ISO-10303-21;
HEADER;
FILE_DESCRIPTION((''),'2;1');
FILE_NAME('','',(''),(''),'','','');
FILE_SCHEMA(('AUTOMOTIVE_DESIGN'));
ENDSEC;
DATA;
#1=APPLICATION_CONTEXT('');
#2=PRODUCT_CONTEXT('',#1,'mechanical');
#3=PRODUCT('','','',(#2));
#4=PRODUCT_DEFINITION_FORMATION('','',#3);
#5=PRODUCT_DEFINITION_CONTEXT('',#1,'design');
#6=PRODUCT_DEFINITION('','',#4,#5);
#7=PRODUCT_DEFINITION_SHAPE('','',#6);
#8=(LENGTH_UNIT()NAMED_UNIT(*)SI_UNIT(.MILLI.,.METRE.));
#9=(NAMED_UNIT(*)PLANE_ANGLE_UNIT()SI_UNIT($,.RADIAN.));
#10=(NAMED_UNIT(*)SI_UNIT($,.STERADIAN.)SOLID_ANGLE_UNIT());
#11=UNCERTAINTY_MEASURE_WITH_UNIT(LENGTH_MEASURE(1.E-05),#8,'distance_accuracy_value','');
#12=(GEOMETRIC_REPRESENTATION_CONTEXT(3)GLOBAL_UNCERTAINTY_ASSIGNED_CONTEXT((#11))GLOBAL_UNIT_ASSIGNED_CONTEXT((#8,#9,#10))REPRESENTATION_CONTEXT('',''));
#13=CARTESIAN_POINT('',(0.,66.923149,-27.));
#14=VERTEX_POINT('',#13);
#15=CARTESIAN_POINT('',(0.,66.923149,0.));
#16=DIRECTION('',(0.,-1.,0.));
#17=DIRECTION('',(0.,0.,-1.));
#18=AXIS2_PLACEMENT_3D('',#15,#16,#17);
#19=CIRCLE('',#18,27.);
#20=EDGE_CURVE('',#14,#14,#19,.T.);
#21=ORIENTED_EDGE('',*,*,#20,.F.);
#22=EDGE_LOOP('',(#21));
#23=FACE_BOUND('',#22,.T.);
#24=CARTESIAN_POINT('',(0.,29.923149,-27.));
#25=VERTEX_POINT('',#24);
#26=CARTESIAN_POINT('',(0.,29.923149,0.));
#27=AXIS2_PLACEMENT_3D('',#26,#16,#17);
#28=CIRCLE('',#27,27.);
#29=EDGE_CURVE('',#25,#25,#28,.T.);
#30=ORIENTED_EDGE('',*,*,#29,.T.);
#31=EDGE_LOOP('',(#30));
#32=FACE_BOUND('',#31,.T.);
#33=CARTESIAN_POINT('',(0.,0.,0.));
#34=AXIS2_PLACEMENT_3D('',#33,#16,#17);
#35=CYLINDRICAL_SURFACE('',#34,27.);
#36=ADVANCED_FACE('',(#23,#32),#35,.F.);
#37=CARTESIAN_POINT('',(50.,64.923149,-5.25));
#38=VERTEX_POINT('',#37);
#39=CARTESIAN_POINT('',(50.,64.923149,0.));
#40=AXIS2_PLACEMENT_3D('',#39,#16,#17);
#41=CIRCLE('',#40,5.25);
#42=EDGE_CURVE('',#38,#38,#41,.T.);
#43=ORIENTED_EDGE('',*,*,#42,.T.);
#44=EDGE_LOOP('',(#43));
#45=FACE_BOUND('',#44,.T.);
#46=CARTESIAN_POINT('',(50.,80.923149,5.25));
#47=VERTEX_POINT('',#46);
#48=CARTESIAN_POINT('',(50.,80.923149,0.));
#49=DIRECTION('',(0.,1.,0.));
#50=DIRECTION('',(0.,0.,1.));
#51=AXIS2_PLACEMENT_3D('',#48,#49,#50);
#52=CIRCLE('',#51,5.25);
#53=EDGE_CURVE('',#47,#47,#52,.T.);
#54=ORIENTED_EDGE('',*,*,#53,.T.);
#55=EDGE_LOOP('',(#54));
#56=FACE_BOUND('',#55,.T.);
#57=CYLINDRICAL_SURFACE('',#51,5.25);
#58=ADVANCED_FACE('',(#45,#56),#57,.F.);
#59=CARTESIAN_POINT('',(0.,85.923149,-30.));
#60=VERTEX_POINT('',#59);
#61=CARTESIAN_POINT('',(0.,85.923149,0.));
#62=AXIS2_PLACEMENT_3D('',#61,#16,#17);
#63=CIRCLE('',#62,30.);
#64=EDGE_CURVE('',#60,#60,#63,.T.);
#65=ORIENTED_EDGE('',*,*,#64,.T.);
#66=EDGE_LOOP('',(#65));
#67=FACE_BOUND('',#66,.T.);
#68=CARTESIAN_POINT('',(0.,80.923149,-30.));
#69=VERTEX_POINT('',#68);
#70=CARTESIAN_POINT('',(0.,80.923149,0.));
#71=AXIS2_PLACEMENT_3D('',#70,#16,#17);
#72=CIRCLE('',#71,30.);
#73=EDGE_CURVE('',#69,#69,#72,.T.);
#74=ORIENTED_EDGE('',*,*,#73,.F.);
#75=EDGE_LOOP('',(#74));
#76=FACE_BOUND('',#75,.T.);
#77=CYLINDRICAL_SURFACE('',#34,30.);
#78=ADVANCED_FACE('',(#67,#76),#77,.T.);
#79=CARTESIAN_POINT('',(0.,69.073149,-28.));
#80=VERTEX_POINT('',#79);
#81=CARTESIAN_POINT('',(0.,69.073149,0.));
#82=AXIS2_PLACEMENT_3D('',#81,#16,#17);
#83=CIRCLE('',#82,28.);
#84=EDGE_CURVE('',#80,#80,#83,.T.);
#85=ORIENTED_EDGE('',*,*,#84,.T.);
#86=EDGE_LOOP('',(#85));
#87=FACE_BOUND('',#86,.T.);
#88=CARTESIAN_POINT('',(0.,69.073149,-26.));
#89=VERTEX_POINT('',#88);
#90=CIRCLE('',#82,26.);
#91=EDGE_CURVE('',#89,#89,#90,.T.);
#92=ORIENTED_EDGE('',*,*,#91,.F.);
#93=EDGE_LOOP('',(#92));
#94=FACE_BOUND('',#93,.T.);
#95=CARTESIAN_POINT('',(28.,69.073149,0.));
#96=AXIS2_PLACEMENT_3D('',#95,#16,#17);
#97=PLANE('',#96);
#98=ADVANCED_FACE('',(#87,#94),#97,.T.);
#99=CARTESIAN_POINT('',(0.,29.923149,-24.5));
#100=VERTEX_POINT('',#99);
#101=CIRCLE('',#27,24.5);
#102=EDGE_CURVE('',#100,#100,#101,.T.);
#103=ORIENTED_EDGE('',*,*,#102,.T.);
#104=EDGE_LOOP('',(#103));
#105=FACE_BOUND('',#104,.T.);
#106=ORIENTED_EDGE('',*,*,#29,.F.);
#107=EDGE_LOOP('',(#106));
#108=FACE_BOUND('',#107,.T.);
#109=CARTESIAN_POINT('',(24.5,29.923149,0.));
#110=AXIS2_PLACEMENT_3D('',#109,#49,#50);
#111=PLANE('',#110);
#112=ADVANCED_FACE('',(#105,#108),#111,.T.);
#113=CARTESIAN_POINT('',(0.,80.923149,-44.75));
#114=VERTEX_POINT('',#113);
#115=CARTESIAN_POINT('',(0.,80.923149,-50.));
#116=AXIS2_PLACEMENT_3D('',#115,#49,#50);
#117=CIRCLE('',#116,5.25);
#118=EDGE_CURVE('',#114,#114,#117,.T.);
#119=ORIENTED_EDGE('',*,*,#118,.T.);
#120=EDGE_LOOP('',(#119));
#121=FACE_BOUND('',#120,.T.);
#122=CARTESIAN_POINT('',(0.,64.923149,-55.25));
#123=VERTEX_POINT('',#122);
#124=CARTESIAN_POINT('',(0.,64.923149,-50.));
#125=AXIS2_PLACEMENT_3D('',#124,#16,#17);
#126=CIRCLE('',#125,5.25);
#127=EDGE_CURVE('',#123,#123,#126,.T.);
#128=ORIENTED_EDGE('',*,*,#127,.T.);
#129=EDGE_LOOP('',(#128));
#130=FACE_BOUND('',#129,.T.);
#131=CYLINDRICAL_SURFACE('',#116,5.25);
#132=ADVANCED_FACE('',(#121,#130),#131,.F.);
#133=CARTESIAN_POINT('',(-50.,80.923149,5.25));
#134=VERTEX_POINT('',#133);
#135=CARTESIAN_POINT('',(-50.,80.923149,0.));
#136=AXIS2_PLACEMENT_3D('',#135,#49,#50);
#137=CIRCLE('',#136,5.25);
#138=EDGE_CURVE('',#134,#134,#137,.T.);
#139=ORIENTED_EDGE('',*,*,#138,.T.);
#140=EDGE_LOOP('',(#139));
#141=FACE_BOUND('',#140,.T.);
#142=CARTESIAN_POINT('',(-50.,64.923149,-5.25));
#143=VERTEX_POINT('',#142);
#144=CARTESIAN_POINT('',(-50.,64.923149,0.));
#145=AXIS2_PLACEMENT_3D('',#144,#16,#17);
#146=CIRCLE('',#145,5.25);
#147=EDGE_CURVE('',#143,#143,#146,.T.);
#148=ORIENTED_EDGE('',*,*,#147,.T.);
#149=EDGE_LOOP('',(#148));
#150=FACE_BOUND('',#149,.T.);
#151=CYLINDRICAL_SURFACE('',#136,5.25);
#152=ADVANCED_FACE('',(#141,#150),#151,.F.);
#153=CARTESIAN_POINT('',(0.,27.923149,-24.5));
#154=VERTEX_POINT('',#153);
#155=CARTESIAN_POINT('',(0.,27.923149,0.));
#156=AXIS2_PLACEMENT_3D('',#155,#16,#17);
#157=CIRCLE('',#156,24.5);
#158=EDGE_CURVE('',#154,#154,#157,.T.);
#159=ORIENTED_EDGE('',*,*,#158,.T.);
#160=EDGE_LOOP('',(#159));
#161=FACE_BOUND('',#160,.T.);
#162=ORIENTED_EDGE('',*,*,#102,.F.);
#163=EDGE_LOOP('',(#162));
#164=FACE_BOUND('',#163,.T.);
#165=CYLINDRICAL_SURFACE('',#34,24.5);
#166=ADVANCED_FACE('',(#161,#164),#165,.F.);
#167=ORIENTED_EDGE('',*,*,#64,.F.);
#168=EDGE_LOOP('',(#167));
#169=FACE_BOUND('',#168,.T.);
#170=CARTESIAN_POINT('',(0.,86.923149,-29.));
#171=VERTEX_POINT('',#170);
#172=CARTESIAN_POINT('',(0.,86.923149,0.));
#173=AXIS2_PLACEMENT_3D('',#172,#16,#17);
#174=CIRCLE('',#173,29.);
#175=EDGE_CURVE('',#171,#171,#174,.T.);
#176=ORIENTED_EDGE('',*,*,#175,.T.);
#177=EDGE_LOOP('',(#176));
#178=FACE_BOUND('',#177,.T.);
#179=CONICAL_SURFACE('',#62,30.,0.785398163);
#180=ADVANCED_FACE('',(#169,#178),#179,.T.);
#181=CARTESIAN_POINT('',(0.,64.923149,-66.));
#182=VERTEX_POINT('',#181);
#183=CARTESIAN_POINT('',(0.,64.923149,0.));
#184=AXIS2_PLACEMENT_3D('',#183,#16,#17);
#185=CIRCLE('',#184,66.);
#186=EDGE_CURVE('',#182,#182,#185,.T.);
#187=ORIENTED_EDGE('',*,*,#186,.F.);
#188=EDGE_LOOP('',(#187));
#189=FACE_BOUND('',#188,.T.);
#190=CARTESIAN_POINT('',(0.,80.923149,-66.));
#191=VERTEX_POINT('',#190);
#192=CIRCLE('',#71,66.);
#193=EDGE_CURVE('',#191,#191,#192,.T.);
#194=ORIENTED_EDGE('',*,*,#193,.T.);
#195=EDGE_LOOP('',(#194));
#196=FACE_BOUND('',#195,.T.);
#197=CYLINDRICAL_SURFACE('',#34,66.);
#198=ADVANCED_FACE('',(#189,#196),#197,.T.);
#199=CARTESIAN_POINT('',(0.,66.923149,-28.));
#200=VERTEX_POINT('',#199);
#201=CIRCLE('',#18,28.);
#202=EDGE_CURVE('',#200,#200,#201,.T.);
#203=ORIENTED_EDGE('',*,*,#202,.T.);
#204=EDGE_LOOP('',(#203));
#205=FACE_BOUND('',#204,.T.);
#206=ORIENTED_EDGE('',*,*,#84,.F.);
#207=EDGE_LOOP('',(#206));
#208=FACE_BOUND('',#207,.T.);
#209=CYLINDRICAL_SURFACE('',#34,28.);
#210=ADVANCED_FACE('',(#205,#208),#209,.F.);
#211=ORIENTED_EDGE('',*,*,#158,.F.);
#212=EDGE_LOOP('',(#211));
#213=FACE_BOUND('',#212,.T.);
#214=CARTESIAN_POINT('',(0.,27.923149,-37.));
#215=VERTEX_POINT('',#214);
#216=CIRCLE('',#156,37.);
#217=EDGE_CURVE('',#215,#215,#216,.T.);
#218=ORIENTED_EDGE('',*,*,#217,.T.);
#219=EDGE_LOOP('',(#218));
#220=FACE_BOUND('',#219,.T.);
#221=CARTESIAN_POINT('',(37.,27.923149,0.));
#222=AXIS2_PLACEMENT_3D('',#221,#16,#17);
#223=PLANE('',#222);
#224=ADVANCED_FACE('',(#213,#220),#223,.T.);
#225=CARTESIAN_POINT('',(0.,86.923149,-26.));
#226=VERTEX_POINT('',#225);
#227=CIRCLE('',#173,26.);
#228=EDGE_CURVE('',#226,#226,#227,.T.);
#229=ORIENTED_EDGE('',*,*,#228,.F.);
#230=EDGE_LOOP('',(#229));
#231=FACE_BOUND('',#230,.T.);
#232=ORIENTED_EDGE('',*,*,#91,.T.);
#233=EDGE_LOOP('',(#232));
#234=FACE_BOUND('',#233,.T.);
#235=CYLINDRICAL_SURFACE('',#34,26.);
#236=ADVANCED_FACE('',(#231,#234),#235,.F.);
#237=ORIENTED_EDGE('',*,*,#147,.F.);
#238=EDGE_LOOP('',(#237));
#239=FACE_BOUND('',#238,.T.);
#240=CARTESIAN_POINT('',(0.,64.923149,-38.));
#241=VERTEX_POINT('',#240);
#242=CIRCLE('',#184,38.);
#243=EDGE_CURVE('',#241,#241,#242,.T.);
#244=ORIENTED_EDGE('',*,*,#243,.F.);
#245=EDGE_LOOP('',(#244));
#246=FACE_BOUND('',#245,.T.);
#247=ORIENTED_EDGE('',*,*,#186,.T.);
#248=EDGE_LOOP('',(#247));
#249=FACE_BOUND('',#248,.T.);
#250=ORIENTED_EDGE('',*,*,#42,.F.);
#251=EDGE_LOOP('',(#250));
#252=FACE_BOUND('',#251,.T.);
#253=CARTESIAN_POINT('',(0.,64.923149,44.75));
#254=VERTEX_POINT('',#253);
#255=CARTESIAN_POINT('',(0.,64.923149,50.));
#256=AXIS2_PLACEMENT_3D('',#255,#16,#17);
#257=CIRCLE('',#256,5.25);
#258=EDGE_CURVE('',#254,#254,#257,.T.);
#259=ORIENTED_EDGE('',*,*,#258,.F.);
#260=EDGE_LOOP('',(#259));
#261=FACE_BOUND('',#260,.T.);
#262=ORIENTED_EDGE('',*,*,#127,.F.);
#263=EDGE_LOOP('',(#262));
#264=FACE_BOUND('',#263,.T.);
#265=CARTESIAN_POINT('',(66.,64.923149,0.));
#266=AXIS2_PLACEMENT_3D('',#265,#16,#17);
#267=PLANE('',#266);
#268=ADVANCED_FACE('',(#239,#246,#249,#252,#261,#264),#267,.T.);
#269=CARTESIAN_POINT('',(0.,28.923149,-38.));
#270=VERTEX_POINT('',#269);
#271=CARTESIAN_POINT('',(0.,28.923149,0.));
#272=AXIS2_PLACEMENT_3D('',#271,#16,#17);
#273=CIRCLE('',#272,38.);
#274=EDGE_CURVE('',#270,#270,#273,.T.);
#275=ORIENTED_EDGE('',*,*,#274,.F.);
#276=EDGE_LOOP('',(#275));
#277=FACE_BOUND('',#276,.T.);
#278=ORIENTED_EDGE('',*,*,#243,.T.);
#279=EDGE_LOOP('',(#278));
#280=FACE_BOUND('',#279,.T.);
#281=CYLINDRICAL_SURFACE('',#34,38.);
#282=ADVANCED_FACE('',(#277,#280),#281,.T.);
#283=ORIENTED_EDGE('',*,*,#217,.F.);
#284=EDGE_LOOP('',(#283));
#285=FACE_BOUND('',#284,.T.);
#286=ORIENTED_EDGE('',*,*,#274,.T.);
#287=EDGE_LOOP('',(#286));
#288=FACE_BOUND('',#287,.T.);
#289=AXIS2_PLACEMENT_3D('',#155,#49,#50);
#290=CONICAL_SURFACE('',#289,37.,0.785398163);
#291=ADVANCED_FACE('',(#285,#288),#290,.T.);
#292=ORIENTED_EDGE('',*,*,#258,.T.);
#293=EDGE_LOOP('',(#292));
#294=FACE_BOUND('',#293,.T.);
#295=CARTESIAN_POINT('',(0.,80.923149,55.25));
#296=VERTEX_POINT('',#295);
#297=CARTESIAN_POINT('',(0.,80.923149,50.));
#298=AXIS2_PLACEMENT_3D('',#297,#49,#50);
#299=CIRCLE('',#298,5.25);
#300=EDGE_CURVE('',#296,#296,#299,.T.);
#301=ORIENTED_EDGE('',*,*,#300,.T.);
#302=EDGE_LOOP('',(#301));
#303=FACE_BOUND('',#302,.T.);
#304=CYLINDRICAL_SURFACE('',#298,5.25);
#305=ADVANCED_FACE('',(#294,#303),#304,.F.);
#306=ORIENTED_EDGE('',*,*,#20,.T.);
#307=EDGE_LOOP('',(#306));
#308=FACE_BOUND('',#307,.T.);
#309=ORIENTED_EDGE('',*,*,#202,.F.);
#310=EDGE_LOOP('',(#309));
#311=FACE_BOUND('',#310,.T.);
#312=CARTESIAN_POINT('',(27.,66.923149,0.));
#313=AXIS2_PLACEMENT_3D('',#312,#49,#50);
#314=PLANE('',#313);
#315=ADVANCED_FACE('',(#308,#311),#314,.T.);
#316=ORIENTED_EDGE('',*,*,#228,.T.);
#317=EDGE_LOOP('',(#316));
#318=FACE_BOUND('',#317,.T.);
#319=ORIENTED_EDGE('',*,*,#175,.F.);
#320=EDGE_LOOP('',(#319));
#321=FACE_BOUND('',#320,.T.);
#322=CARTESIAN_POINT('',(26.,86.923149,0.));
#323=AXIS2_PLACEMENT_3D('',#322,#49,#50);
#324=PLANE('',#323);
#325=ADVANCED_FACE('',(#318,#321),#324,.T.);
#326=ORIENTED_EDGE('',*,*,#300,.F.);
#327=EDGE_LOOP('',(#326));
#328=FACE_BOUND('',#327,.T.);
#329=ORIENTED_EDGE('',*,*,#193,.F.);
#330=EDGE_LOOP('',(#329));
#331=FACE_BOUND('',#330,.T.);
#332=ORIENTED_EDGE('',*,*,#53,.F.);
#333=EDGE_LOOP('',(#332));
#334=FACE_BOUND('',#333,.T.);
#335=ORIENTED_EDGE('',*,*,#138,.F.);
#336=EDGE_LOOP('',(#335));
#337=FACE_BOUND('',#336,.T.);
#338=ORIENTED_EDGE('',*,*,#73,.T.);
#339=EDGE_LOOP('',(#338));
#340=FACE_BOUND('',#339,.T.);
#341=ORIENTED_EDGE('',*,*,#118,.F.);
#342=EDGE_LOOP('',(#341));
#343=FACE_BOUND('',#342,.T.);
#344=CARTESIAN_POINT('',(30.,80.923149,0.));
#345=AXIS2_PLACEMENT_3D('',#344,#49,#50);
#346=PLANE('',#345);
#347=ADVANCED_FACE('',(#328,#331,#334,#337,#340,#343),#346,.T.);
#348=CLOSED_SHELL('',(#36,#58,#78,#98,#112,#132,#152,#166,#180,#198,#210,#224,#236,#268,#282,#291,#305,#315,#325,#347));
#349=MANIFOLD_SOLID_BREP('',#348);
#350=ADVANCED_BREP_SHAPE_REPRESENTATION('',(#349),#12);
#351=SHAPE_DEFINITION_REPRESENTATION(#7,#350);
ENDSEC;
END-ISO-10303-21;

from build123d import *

# Parameters (mm, degrees)
OTW_R_GWINTOWANY_M12X1_51_D = 10.5


with BuildPart() as part:
    # Szkic1 → Obrót1 (revolve)
    with BuildSketch(Plane.XY, mode=Mode.PRIVATE) as obr_t1_sk:
        Polygon((30, 80.923148938), (66, 80.923148938), (66, 64.923148938), (38, 64.923148938), (38, 39.923148938), (38, 28.923148938), (37, 27.923148938), (24.5, 27.923148938), (24.5, 29.923148938), (27, 29.923148938), (27, 66.923148938), (28, 66.923148938), (28, 69.073148938), (26, 69.073148938), (26, 80.923148938), (26, 86.923148938), (29, 86.923148938), (30, 85.923148938), align=None)
    revolve(obr_t1_sk.sketch.rotate(Axis((0, 0, 0), (0, 1, 0)), 90), axis=Axis((0, 0, 0), (0, 1, 0)))

    # Otwór gwintowany M12x1.51 (through all)
    with Locations(Plane(origin=(-50, 80.923148938, 0), x_dir=(0, 0, 1), z_dir=(0, 1, 0))):
        with Locations((0, 0), (-50, 50), (0, 100), (50, 50)):
            Hole(OTW_R_GWINTOWANY_M12X1_51_D / 2)


solid = part.part
